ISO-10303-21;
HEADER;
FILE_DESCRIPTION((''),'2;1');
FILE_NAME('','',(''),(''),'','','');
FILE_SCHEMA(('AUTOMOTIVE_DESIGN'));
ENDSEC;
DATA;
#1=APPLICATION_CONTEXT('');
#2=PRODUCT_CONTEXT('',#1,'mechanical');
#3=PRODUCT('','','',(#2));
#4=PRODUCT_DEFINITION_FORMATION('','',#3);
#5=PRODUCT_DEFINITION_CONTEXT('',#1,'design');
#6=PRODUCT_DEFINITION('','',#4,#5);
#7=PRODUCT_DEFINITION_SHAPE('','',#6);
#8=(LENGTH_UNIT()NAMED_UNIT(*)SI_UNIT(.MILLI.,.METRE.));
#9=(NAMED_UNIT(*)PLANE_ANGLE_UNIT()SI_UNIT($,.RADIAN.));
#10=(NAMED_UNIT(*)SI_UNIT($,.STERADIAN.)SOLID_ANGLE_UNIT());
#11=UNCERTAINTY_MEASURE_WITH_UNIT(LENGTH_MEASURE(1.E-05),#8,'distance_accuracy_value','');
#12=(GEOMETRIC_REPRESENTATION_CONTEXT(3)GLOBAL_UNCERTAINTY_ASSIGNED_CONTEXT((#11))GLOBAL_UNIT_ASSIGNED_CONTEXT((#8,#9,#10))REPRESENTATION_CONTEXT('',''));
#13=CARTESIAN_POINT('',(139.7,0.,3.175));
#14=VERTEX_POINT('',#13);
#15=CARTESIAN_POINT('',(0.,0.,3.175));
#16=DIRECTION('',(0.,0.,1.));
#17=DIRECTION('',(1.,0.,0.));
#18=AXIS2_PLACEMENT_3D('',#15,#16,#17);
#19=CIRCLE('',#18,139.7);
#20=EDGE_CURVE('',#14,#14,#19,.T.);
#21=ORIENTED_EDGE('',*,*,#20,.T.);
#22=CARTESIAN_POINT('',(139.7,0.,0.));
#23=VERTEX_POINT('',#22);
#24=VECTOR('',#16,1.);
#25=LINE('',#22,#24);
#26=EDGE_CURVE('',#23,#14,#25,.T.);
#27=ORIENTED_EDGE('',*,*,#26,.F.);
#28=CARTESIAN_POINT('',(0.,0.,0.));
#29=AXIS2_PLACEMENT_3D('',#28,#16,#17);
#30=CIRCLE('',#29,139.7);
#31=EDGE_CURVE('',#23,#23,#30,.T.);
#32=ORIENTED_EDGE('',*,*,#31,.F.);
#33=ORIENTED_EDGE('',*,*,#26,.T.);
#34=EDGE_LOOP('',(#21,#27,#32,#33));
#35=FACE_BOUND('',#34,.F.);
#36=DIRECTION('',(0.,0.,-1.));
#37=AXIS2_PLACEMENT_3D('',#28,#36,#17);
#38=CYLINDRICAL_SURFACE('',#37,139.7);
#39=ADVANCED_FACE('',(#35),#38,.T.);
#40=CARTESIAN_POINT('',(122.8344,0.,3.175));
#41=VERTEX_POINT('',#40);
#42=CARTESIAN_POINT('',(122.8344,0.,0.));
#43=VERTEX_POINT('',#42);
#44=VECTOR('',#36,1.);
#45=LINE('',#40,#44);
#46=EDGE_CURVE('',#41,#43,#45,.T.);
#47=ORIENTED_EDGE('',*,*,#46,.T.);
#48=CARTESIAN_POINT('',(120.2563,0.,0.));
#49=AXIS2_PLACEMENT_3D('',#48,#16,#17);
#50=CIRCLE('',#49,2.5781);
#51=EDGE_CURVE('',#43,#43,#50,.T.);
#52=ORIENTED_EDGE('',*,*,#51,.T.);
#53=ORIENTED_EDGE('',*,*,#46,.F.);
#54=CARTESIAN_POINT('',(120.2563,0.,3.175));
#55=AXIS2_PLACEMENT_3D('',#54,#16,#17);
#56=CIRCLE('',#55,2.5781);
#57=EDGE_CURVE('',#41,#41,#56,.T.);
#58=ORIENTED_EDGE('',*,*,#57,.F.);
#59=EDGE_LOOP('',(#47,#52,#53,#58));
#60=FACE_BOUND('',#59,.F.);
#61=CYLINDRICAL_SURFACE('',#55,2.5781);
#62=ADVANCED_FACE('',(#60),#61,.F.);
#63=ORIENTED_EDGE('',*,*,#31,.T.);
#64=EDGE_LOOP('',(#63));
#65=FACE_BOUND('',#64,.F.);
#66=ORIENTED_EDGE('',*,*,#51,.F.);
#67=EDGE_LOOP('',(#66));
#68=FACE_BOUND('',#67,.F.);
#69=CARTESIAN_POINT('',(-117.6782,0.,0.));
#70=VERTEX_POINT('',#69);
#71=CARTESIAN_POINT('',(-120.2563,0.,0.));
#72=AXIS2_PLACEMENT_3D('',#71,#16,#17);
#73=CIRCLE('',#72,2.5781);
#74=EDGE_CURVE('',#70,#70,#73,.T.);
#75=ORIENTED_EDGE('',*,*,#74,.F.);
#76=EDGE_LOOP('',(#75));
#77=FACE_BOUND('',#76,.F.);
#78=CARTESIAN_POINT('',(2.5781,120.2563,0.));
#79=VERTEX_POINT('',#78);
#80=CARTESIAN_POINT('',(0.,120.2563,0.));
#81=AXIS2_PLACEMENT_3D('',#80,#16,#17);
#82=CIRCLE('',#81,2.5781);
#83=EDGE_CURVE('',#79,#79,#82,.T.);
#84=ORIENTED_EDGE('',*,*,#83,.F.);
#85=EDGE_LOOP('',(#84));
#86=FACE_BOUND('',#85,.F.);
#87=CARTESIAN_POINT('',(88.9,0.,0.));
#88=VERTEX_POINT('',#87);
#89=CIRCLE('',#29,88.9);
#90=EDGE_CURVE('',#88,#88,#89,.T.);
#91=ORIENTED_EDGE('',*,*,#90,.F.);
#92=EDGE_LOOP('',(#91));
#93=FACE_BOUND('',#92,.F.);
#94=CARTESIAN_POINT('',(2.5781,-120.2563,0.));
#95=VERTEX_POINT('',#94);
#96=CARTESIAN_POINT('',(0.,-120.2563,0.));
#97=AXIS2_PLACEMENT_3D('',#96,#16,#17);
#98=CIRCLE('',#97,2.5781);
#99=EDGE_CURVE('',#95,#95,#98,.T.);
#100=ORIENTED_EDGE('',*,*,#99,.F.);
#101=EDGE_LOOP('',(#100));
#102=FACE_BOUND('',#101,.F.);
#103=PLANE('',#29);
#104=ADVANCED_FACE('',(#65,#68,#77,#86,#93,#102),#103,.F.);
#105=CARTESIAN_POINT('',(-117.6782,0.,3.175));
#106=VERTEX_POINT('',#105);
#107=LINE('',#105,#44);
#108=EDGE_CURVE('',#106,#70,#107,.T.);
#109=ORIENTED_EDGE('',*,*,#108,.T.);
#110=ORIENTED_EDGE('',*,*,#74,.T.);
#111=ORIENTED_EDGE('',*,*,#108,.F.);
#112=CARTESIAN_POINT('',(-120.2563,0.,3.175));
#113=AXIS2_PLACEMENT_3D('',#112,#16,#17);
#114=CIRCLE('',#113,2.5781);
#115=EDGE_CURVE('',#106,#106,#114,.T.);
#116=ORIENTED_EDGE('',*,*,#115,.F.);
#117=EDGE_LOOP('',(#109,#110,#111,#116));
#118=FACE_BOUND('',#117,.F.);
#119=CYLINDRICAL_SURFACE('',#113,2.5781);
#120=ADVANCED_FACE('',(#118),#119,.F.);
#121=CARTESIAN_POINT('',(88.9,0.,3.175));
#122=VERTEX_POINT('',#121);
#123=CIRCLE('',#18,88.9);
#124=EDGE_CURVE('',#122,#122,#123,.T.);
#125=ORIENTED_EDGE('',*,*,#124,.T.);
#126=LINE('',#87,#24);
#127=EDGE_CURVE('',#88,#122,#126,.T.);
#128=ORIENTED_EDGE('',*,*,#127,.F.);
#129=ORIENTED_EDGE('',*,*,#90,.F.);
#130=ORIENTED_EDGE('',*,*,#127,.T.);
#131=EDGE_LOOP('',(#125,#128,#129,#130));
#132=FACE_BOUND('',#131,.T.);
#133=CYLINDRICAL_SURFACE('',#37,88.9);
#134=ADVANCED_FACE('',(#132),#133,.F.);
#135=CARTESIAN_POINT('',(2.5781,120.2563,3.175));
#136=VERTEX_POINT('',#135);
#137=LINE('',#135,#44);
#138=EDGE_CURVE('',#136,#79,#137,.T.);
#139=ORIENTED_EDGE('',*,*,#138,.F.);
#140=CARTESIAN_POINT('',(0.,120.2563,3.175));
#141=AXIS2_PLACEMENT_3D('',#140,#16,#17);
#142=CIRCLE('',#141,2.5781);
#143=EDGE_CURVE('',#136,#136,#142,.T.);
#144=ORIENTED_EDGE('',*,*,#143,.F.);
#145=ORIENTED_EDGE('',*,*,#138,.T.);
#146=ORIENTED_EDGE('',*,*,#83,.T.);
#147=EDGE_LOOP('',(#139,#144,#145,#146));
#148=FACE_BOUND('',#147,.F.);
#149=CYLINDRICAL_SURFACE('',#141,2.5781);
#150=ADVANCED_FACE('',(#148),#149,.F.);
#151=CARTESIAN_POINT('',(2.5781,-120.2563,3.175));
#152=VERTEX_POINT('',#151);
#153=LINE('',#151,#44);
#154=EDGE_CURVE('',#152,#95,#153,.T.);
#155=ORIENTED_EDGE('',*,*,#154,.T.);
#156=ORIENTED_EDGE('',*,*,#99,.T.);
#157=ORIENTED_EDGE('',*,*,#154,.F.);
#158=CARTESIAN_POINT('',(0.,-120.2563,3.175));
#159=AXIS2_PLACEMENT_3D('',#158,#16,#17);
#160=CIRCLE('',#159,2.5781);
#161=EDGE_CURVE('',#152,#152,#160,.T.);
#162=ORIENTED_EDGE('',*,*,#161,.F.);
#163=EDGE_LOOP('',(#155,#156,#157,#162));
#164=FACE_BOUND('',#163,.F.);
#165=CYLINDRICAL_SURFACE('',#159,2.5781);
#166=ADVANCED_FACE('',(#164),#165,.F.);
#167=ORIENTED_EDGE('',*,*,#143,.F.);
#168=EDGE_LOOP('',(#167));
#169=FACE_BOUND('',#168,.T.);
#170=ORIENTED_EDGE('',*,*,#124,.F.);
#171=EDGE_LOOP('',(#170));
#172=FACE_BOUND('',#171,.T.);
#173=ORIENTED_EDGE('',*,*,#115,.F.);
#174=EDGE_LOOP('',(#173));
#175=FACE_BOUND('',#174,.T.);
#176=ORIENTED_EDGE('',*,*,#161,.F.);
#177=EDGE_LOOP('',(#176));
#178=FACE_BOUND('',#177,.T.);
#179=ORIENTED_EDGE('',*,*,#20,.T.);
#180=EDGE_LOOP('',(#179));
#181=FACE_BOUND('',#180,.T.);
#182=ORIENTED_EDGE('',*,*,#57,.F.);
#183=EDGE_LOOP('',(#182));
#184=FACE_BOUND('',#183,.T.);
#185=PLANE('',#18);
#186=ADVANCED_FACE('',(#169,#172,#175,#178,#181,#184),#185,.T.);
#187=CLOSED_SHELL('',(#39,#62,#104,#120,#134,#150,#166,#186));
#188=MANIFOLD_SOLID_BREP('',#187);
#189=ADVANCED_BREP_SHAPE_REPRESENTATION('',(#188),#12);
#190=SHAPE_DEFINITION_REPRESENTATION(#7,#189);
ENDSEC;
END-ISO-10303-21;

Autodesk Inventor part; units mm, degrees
ref_plane "YZ Plane" through (0, 0, 0) normal (1, 0, 0) x (0, 1, 0)
ref_plane "XZ Plane" through (0, 0, 0) normal (0, 1, 0) x (-1, 0, 0)
ref_plane "XY Plane" through (0, 0, 0) normal (0, 0, 1) x (1, 0, 0)
sketch "Sketch1" plane through (0, 0, 0) normal (0, 0, 1) x (1, 0, 0)
  circle A0 centre (0, 0) radius 139.7
  circle A1 centre (0, 0) radius 88.9
  dimension "d0" = 279.4
  dimension "d1" = 50.8
extrude "Extrusion1" add sketch "Sketch1" along normal blind 3.175
sketch "Sketch2" plane through (0, 0, 3.175) normal (0, 0, 1) x (1, 0, 0)
  circle A0 centre (0, 0) radius 120.2563 construction
  circle A1 centre (0, -120.2563) radius 2.5781
  circle A2 centre (120.2563, 0) radius 2.5781
  circle A3 centre (0, 120.2563) radius 2.5781
  circle A4 centre (-120.2563, 0) radius 2.5781
  line L0 (-120.2563, 0) -> (120.2563, 0) construction
  line L1 (0, -120.2563) -> (0, 120.2563) construction
  dimension "d4" = 240.5126
  dimension "d5" = 5.1562
extrude "Extrusion2" cut sketch "Sketch2" against normal blind 3.175
properties part number "support ring" material "Aluminum 6061"
